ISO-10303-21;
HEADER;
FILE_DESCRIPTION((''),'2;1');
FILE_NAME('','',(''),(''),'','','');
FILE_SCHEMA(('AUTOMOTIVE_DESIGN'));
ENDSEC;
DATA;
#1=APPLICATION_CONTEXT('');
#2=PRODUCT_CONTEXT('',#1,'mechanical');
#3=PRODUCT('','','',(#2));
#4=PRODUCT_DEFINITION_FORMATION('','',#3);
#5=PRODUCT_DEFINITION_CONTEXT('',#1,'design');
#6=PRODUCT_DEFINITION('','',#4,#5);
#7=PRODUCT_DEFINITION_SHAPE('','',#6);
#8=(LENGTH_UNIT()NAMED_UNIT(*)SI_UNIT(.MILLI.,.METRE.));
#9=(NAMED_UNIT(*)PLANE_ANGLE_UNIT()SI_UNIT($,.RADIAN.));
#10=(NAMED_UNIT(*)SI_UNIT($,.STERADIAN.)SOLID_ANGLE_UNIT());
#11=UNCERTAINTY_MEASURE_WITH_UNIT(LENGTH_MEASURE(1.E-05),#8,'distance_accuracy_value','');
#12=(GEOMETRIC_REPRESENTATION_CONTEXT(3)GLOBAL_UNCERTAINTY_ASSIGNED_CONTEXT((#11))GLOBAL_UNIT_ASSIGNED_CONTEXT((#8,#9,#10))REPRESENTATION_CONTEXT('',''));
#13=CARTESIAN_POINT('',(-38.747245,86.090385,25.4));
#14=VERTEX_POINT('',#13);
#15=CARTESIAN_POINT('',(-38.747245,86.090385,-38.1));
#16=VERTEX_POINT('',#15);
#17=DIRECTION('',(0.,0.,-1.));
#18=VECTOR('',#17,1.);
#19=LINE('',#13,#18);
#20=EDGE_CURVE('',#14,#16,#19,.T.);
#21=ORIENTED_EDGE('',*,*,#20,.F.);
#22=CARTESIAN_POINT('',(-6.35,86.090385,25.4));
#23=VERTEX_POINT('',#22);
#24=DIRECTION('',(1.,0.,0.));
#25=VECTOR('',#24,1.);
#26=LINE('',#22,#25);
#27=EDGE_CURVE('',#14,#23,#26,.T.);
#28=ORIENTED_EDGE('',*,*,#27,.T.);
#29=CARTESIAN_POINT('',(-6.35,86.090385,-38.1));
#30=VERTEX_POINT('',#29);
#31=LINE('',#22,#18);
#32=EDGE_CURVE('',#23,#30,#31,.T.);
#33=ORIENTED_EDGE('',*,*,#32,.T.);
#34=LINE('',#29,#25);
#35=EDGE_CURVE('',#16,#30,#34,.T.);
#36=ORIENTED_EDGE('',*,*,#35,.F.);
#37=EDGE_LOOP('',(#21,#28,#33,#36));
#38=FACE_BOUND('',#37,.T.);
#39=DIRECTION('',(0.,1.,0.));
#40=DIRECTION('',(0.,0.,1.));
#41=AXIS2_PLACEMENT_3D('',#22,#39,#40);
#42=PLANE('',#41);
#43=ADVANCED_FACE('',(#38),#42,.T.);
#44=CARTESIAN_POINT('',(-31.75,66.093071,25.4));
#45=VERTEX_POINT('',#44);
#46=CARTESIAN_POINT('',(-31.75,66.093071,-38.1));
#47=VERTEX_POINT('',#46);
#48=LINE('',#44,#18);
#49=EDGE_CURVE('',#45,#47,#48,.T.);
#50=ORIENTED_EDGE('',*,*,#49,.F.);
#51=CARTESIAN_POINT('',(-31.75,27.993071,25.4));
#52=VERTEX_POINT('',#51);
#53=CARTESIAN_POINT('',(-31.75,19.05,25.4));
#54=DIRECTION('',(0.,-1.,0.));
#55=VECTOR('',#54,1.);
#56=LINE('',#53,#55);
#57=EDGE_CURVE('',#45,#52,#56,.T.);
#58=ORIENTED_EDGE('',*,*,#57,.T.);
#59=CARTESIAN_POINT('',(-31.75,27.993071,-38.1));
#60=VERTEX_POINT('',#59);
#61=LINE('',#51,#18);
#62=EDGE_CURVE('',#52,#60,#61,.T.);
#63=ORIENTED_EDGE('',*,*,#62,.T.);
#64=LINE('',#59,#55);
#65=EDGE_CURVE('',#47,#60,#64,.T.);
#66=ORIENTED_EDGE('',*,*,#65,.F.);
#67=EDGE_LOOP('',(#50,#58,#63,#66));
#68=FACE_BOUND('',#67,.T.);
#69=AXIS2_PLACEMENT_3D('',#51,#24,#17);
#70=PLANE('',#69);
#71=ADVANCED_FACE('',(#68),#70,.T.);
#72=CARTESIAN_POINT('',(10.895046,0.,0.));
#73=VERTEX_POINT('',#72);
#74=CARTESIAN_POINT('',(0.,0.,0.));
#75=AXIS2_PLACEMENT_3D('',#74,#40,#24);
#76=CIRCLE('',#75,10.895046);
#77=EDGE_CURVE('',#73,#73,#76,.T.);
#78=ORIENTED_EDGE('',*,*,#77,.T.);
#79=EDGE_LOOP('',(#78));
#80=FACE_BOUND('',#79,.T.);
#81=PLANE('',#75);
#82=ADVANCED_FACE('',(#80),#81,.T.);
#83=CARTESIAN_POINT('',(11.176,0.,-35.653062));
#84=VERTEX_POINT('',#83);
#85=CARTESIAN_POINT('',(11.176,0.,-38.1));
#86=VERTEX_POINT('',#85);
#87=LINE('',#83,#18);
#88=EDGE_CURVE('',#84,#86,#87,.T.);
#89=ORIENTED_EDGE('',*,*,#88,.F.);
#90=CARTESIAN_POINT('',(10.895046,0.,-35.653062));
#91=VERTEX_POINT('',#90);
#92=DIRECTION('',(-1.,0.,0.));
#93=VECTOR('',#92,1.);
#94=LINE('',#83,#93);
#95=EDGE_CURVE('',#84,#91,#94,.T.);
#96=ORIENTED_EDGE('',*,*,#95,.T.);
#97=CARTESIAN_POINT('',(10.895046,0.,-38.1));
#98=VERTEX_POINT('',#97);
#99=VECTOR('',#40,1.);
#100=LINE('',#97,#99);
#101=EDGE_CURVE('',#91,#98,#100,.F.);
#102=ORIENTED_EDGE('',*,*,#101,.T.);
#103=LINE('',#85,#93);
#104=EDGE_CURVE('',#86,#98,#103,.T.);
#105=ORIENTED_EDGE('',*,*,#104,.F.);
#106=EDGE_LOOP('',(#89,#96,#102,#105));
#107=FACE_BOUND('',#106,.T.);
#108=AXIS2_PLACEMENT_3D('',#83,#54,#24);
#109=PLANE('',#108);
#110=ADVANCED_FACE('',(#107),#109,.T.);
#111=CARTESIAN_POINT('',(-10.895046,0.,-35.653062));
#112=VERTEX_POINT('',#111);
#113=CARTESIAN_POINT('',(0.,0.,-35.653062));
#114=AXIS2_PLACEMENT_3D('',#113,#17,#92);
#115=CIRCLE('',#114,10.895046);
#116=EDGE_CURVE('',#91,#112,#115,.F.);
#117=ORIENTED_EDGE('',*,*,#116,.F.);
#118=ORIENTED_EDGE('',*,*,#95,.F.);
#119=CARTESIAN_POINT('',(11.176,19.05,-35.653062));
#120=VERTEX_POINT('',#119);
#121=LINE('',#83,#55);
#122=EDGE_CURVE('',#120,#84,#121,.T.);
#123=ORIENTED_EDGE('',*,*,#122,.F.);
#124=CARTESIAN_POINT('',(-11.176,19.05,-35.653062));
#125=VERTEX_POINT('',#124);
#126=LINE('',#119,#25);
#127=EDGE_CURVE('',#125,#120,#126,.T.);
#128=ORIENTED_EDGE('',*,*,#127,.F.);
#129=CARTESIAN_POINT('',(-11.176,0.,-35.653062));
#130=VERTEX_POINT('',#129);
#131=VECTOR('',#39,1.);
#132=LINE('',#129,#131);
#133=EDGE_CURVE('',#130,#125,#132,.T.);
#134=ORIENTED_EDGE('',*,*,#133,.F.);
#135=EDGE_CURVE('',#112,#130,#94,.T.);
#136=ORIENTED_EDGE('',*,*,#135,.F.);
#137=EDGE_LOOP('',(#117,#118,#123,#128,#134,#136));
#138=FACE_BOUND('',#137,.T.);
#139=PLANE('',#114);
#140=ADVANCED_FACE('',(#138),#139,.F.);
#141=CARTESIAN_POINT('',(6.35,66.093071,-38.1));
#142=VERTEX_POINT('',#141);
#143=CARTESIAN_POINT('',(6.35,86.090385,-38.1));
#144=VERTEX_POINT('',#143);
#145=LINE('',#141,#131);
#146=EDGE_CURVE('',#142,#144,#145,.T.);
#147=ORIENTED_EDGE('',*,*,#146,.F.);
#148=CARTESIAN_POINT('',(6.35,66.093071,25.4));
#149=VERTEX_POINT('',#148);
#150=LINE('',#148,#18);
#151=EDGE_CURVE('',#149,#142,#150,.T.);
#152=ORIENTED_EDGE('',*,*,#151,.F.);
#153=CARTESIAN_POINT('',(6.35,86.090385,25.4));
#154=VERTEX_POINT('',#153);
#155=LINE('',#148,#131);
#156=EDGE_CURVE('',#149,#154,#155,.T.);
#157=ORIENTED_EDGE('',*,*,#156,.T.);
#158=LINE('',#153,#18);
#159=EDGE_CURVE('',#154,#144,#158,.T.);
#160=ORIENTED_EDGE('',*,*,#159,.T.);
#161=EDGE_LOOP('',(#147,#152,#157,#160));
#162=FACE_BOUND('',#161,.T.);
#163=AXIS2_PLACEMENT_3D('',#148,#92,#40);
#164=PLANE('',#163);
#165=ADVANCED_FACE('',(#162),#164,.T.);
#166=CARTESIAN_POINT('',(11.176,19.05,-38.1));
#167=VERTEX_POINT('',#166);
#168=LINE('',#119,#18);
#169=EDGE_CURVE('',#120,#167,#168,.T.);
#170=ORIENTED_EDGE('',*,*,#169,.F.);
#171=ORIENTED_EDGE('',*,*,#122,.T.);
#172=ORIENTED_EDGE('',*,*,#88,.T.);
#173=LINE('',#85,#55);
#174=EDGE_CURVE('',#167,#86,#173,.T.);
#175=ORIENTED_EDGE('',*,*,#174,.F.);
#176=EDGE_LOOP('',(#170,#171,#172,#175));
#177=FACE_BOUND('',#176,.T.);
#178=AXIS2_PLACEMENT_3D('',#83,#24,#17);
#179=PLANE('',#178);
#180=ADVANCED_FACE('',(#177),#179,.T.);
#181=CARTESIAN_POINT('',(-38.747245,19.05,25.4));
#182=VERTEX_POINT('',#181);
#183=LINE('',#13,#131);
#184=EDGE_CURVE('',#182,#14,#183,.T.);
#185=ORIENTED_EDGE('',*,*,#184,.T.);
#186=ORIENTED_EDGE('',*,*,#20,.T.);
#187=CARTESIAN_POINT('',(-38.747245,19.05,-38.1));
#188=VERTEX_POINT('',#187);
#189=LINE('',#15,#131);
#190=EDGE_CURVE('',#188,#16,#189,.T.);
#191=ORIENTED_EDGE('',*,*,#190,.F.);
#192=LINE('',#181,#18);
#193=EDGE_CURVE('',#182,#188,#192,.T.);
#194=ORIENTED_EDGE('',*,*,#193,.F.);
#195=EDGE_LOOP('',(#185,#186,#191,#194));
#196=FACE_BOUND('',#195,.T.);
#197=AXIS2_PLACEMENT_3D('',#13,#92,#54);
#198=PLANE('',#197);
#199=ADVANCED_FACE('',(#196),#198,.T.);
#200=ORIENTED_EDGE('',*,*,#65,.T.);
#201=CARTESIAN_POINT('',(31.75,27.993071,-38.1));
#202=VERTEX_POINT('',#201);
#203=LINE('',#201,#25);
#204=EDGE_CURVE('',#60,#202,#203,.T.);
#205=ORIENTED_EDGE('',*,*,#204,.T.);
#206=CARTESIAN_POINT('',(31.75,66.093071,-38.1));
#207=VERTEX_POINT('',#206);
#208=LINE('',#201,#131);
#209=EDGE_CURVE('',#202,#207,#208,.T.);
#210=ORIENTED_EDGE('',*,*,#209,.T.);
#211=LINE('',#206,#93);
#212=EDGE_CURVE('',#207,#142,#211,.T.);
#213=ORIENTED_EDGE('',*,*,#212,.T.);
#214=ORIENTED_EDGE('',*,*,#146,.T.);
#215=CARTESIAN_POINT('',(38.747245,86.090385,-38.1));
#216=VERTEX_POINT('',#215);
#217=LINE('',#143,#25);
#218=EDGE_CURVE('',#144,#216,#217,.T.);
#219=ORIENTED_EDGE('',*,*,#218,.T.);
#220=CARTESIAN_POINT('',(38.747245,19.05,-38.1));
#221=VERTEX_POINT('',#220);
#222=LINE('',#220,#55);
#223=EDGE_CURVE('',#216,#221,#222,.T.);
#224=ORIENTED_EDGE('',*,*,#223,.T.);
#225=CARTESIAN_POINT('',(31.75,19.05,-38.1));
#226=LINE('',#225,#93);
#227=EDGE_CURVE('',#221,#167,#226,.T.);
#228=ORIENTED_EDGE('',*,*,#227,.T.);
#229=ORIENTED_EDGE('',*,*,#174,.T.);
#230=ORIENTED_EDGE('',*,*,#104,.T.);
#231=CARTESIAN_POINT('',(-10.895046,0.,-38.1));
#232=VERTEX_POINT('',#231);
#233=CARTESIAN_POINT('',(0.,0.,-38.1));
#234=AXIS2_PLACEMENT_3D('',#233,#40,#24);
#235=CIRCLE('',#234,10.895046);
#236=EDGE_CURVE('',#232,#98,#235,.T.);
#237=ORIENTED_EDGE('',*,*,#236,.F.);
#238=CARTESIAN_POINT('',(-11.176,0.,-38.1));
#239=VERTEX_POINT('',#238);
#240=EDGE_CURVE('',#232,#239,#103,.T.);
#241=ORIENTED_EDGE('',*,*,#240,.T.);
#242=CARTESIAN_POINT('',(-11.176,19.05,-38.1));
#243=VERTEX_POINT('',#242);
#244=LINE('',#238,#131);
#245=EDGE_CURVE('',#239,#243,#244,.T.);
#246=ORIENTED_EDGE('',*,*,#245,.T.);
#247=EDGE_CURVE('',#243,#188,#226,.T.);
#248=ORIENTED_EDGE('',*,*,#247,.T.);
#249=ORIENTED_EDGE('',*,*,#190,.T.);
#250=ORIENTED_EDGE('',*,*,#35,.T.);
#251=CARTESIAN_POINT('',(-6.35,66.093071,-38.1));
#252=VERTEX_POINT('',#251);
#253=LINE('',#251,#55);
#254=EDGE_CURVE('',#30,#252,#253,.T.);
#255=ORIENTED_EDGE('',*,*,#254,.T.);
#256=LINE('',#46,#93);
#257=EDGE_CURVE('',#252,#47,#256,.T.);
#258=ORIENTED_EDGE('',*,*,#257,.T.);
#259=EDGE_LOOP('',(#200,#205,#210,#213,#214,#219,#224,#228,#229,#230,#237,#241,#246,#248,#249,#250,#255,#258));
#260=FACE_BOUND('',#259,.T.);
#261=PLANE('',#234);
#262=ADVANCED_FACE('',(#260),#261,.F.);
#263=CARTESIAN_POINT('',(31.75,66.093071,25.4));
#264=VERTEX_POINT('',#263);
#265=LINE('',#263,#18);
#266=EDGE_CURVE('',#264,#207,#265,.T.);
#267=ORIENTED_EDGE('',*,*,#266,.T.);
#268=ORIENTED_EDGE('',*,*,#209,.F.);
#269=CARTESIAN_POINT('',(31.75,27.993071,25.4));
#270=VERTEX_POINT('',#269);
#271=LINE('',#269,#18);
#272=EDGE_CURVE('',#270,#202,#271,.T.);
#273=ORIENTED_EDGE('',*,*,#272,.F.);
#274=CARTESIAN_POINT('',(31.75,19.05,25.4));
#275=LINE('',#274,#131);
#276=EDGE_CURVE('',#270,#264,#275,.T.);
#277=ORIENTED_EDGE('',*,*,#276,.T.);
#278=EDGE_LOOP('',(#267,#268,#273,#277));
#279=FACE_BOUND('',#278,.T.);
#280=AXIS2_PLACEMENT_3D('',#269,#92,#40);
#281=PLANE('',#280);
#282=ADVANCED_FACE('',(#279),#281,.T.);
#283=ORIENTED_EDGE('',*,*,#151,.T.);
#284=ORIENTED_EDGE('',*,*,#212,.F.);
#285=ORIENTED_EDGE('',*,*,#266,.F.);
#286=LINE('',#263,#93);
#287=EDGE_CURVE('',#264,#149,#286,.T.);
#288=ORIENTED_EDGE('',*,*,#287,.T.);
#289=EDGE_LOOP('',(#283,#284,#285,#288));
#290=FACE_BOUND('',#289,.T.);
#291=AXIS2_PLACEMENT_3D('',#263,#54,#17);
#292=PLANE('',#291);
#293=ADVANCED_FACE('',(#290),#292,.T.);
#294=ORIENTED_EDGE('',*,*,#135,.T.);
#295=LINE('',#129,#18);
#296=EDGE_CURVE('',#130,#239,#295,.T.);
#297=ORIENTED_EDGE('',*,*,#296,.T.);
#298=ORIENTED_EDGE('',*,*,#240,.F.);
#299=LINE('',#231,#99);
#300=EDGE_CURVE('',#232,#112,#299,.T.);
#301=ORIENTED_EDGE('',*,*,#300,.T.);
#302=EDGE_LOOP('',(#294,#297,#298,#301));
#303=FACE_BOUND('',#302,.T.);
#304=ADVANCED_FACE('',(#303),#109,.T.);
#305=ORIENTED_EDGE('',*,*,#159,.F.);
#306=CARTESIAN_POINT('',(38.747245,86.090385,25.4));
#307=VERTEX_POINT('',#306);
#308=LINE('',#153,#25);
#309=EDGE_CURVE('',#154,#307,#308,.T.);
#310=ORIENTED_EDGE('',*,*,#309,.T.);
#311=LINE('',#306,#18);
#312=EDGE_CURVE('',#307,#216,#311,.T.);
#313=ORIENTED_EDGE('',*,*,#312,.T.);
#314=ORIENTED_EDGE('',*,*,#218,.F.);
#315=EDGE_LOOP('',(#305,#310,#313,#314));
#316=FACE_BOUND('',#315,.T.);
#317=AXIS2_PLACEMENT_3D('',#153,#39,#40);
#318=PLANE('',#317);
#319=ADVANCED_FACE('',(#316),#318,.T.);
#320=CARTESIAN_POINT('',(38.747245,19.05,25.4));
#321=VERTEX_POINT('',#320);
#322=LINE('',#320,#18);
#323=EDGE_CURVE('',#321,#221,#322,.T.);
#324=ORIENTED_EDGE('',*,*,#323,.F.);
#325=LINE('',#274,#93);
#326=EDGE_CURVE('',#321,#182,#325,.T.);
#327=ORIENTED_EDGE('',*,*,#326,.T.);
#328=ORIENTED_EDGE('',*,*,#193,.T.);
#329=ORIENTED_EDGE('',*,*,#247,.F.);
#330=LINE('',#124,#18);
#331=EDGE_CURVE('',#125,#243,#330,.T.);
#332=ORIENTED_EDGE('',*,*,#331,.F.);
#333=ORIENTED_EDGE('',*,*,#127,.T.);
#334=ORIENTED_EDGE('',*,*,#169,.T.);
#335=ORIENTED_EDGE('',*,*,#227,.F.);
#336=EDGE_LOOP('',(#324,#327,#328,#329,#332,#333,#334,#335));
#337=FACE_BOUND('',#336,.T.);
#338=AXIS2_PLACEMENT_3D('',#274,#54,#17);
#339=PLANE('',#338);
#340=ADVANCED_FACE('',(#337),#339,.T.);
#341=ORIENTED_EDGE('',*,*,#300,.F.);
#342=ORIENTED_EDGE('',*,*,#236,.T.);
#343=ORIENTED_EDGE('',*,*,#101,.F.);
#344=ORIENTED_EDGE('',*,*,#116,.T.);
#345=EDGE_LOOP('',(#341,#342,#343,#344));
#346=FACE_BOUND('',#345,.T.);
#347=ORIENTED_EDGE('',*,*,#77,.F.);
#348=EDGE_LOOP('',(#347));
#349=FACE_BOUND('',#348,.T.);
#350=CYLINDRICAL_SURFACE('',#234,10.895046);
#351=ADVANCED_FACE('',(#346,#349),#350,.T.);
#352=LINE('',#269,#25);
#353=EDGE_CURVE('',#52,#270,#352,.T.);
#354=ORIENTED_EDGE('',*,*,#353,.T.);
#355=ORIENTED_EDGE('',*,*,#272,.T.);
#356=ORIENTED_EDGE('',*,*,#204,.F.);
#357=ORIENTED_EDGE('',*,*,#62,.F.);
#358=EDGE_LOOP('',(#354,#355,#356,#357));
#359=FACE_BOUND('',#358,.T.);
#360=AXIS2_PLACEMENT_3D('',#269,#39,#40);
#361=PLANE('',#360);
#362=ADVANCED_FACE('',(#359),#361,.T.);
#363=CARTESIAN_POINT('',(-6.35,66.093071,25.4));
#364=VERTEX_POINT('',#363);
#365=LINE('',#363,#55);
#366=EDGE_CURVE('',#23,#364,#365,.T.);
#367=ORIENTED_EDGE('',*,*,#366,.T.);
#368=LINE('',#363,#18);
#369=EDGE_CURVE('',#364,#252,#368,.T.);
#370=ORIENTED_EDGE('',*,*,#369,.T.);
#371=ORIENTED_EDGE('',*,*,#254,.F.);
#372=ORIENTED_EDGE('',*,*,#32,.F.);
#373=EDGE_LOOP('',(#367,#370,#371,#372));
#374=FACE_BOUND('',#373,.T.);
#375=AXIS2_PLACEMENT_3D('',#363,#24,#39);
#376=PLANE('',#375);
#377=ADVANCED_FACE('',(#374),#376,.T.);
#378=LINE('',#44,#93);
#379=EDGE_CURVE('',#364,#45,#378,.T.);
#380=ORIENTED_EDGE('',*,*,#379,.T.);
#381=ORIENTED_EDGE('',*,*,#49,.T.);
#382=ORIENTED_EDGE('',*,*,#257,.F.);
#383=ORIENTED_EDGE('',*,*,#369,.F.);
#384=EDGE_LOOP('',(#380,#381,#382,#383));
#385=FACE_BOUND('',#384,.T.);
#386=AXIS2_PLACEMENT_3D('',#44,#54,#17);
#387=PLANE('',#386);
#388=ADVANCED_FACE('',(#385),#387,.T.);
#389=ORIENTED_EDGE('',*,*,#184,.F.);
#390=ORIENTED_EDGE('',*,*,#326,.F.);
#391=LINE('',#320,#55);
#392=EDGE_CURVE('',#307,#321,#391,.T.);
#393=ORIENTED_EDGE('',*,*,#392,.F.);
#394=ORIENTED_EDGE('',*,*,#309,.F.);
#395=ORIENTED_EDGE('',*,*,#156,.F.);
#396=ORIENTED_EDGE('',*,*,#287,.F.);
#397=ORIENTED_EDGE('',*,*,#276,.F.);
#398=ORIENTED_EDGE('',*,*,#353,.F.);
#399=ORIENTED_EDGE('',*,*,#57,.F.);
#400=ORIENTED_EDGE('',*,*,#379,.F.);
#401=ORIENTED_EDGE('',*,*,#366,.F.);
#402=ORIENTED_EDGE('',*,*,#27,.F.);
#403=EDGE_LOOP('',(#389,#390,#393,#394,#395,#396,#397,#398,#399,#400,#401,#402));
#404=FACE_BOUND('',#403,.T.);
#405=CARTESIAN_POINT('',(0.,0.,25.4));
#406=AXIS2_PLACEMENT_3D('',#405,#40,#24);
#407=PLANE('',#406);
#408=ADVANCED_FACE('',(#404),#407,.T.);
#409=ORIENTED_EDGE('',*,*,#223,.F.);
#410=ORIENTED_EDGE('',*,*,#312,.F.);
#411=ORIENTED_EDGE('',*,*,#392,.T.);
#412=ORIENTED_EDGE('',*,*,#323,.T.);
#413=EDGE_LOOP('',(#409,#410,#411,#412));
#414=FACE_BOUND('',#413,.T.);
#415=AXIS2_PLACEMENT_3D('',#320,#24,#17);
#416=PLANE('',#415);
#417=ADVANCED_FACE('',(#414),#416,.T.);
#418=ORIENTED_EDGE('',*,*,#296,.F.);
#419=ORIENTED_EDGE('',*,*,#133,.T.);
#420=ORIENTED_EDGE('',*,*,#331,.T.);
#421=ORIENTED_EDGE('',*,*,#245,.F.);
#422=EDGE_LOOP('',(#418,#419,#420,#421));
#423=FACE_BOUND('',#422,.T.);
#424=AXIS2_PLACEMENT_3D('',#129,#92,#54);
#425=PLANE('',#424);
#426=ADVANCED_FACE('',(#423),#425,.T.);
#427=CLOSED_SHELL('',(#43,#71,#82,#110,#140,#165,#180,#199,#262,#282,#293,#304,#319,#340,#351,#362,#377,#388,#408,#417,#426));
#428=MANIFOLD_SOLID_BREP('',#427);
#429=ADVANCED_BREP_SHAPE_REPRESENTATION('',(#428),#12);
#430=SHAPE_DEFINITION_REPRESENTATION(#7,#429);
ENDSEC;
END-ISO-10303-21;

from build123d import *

# Parameters (mm, degrees)
SKETCH1_R           = 10.89504564
BOSS_EXTRUDE1_DEPTH = 38.1
SKETCH2_W           = 22.352
SKETCH2_H           = 19.05
BOSS_EXTRUDE2_DEPTH = 2.44693827
SKETCH3_W           = 63.5
SKETCH3_H           = 8.943070636
BOSS_EXTRUDE3_DEPTH = 63.5
BOSS_EXTRUDE4_DEPTH = 63.5


with BuildPart() as part:
    # Sketch1 → Boss-Extrude1 (new body)
    with BuildSketch(Plane.XY):
        Circle(SKETCH1_R)
    extrude(amount=-BOSS_EXTRUDE1_DEPTH)

    # Sketch2 → Boss-Extrude2 (add)
    with BuildSketch(Plane(origin=(0, 0, -38.1), x_dir=(-1, 0, 0), z_dir=(0, 0, -1))):
        with Locations((0, 9.525)):
            Rectangle(SKETCH2_W, SKETCH2_H)
    extrude(amount=-BOSS_EXTRUDE2_DEPTH)

    # Sketch3 → Boss-Extrude3 (add)
    with BuildSketch(Plane(origin=(0, 0, -38.1), x_dir=(-1, 0, 0), z_dir=(0, 0, -1))):
        with Locations((0, 23.521535318)):
            Rectangle(SKETCH3_W, SKETCH3_H)
    extrude(amount=-BOSS_EXTRUDE3_DEPTH)

    # Sketch4 → Boss-Extrude4 (add)
    with BuildSketch(Plane(origin=(0, 0, -38.1), x_dir=(-1, 0, 0), z_dir=(0, 0, -1))):
        Polygon((-31.75, 27.993070636), (-31.75, 66.093070636), (-6.35, 66.093070636), (-6.35, 86.090384505), (-38.747245179, 86.090384505), (-38.747245179, 19.05), (-31.75, 19.05), align=None)
        Polygon((31.75, 27.993070636), (31.75, 66.093070636), (6.35, 66.093070636), (6.35, 86.090384505), (38.747245179, 86.090384505), (38.747245179, 19.05), (31.75, 19.05), align=None)
    extrude(amount=-BOSS_EXTRUDE4_DEPTH)


solid = part.part
